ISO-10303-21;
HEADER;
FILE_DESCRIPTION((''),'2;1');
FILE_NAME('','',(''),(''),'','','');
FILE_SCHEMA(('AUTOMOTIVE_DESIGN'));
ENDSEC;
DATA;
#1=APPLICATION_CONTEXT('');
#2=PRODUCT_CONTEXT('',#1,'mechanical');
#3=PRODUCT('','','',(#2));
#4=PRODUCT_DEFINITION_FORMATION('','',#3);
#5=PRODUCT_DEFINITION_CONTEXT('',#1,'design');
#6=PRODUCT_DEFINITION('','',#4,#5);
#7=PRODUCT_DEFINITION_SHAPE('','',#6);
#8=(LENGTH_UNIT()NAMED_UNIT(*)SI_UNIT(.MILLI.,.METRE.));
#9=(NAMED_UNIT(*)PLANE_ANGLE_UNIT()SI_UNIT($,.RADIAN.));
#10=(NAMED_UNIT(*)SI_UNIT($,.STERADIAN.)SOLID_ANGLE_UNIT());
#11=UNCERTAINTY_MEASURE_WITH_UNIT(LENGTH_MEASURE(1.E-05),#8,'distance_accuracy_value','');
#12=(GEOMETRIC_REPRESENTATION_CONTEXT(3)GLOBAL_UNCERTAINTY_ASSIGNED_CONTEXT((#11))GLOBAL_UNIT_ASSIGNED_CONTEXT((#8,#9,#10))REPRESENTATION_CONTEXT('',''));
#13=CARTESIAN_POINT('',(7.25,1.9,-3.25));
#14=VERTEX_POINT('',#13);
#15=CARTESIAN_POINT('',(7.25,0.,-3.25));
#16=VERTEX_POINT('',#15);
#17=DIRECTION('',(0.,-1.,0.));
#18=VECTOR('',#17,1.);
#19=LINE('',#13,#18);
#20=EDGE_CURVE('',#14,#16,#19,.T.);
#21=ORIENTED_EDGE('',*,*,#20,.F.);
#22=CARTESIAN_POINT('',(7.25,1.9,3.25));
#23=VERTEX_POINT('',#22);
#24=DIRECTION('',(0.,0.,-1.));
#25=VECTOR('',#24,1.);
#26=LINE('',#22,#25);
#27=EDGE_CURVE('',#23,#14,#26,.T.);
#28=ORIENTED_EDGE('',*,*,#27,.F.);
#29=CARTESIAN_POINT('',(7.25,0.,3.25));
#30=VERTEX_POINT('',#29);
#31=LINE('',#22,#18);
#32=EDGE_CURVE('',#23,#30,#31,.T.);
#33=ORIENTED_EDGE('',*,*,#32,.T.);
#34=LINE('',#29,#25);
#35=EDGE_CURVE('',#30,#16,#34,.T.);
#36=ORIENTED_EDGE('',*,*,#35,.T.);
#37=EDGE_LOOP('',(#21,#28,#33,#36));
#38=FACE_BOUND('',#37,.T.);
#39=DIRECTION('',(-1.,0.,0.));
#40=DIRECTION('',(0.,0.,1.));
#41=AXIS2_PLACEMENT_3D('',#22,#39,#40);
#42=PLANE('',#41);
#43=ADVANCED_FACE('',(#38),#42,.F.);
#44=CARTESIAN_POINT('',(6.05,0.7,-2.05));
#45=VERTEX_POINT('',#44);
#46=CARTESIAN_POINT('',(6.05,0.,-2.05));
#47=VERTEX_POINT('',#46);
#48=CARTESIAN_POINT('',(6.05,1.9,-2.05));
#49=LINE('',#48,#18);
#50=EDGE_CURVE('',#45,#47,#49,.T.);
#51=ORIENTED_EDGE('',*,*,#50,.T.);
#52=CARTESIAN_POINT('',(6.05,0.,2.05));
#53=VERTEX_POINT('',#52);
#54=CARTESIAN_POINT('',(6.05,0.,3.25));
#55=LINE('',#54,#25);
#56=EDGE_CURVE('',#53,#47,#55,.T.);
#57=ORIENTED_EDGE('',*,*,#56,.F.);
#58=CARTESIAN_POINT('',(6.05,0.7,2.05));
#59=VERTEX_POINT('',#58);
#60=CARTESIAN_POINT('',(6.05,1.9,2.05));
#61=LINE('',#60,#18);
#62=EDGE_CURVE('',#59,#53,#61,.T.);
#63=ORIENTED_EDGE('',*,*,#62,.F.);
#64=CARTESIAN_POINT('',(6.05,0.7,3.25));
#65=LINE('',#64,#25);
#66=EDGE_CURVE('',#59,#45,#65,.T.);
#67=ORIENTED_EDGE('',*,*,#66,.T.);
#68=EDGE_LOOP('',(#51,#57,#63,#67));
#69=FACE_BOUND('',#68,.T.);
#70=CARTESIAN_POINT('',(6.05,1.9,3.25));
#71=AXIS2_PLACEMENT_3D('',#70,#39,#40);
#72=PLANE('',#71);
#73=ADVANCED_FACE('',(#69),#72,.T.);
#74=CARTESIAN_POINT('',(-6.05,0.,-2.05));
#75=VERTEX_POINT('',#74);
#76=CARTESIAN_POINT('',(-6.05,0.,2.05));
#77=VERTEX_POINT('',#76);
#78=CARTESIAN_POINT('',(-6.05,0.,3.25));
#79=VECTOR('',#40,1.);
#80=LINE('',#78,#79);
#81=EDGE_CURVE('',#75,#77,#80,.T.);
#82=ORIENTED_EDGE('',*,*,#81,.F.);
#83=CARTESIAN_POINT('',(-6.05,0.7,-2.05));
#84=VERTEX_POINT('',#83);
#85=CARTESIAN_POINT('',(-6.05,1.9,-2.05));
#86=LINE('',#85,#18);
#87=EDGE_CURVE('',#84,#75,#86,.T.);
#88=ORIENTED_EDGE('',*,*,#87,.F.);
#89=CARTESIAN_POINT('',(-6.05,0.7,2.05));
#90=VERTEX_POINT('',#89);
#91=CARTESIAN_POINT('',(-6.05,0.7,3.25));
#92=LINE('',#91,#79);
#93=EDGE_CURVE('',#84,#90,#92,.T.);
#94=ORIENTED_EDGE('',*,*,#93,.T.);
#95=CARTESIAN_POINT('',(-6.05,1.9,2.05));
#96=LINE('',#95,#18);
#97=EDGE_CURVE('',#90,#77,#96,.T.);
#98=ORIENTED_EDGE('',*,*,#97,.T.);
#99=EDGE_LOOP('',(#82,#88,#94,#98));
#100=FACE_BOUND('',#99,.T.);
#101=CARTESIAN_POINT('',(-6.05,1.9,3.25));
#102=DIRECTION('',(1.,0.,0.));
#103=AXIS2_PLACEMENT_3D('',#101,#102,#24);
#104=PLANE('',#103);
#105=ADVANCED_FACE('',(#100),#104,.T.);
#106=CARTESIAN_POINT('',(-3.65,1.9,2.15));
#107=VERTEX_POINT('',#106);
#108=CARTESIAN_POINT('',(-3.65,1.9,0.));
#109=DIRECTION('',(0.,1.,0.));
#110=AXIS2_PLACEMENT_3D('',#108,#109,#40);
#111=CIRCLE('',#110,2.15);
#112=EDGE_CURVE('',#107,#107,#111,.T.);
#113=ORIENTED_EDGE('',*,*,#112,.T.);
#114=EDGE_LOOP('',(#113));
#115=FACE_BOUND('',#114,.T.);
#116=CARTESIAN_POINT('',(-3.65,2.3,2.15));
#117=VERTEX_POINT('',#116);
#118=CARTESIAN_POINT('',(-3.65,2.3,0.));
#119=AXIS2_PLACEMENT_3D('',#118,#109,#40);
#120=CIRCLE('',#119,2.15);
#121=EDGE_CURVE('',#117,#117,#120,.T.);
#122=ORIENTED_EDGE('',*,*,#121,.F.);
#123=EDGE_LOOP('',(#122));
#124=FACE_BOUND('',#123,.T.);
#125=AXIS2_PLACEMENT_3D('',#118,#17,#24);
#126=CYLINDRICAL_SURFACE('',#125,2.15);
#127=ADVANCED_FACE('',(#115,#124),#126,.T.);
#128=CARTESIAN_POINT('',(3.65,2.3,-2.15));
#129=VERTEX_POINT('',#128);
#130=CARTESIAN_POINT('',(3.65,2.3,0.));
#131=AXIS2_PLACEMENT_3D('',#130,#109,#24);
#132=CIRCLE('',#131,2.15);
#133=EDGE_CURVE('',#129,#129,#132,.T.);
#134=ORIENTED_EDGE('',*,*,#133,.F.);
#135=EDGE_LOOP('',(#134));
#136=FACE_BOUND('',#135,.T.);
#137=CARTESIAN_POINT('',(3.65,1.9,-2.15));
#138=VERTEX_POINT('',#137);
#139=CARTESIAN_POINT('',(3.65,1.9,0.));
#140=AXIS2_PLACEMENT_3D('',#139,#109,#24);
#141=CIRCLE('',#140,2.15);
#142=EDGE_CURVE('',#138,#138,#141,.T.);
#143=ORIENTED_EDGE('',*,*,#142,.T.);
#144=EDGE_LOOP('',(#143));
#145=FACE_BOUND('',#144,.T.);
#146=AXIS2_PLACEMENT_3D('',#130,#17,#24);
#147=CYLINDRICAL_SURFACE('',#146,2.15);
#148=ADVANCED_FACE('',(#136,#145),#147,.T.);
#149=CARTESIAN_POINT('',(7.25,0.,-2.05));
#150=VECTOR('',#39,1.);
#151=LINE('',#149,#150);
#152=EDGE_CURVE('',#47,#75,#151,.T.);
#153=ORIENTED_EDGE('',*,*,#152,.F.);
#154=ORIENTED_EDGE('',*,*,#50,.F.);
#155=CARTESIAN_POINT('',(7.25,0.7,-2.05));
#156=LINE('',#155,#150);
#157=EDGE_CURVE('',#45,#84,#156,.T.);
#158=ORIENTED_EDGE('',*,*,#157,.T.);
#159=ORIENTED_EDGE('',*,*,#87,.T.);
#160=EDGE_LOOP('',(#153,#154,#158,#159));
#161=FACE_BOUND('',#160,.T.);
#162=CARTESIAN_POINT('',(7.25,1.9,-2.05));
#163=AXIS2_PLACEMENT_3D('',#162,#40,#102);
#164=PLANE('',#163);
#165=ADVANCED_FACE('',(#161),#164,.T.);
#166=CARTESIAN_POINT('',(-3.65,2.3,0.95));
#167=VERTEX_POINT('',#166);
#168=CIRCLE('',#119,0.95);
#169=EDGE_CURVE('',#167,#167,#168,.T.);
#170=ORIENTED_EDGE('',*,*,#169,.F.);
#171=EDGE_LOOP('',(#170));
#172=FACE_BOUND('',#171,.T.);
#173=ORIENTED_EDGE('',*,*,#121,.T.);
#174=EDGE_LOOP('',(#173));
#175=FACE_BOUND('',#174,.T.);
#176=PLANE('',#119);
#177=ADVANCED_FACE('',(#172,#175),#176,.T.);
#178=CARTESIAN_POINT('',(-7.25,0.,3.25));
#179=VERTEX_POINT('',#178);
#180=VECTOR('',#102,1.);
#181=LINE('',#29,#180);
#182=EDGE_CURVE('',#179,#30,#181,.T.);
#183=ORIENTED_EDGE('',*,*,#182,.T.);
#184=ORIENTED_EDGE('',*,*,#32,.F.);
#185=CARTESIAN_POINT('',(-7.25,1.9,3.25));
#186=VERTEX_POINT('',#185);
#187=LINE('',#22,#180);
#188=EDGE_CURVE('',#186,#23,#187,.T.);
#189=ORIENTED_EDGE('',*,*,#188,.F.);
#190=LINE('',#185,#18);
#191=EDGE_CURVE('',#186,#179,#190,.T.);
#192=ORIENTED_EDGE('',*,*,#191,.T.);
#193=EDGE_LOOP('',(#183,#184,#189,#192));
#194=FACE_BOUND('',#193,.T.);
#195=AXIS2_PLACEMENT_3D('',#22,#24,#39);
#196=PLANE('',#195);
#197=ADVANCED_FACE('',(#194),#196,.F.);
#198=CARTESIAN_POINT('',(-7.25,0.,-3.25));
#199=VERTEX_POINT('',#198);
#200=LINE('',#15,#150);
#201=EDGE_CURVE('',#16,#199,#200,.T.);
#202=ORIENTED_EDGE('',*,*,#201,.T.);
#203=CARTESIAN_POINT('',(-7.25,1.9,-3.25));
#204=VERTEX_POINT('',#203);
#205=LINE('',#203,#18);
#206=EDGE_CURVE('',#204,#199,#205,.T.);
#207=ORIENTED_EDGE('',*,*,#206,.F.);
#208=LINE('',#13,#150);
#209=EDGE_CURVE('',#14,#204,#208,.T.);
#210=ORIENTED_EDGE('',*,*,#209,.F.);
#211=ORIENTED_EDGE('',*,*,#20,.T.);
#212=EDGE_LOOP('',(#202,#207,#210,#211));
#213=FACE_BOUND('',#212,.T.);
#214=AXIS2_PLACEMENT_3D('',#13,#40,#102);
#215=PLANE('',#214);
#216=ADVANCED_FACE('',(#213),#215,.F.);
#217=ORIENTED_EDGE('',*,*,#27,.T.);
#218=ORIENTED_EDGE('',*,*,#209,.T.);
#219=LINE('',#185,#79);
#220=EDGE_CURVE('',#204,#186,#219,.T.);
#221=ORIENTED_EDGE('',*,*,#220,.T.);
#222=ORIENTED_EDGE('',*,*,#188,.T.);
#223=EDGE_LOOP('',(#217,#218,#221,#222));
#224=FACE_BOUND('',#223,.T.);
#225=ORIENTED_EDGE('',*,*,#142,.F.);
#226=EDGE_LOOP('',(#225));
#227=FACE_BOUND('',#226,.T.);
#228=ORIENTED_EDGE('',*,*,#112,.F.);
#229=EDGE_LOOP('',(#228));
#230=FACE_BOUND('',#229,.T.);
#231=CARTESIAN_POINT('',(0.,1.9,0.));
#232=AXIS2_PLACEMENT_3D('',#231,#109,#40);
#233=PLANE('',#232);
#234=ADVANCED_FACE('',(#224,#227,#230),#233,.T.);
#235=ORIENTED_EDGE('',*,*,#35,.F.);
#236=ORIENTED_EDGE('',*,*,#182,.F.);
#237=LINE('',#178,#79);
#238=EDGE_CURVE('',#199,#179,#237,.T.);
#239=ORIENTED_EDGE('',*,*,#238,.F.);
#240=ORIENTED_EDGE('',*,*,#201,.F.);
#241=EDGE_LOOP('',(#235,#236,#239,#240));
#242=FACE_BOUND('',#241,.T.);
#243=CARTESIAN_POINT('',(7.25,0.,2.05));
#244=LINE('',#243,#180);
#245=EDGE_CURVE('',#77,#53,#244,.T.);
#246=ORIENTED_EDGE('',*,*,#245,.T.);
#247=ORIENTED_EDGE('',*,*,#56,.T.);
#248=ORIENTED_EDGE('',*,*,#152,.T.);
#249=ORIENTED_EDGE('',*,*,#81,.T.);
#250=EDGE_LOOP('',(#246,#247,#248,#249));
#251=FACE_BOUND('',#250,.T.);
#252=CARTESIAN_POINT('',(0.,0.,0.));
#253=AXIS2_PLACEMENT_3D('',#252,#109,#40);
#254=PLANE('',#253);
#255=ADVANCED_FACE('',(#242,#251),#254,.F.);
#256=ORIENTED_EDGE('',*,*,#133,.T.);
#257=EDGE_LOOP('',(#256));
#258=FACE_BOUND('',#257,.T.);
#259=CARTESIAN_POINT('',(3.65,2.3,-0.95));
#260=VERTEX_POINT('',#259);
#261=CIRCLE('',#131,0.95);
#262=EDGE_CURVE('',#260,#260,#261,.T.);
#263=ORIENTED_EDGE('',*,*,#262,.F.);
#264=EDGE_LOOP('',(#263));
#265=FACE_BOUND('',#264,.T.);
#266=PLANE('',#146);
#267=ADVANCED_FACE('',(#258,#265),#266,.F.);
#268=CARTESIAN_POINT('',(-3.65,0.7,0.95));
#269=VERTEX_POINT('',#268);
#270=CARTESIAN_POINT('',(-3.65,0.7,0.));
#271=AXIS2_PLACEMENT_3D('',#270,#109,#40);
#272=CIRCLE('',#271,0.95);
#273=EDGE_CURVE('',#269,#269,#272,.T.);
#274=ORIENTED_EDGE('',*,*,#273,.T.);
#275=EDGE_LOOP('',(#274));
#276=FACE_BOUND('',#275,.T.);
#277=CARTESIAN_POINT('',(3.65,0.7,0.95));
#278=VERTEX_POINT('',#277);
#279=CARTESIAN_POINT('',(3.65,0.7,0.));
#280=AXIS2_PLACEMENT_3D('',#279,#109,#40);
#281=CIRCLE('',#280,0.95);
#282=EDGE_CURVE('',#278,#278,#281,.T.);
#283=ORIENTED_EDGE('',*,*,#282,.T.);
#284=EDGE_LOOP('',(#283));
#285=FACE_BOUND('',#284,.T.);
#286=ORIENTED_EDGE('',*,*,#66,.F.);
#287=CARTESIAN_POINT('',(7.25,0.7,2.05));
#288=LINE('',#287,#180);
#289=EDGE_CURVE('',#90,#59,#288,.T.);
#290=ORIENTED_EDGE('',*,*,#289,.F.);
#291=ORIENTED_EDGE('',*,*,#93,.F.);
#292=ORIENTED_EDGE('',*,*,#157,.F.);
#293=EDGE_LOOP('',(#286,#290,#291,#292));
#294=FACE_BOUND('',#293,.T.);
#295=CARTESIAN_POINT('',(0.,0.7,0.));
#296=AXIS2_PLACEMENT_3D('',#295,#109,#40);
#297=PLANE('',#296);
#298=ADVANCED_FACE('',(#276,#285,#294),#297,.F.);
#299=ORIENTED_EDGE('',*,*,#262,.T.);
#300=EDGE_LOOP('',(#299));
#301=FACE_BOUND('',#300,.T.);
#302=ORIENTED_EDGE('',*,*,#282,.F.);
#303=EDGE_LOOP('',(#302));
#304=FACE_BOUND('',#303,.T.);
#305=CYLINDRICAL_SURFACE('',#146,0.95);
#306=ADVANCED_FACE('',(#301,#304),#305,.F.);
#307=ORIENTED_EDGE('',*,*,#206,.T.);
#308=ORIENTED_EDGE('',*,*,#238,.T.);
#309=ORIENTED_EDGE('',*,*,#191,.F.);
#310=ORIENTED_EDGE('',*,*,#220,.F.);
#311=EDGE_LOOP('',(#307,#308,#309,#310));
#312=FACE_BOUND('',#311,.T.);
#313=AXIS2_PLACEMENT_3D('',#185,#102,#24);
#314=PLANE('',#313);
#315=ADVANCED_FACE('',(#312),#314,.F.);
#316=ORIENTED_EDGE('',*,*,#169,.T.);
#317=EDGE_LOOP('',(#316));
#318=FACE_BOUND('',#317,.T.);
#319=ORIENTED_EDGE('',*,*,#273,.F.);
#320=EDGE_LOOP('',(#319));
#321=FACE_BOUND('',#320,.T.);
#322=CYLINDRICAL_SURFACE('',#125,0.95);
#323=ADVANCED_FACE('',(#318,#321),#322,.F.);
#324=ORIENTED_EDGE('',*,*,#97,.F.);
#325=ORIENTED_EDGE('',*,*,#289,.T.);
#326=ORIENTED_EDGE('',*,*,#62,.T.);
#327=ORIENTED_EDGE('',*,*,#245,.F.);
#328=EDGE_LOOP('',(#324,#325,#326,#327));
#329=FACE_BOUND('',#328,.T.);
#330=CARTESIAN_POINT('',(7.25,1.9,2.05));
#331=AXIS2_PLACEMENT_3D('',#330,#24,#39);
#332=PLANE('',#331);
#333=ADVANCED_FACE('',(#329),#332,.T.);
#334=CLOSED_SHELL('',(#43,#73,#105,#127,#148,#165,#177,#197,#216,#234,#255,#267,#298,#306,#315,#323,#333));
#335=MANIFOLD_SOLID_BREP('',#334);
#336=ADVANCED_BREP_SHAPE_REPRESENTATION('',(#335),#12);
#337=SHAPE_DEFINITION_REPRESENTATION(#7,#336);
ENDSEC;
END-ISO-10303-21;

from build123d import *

# Parameters (mm, degrees)
SKETCH1_W           = 14.5
SKETCH1_H           = 6.5
BOSS_EXTRUDE1_DEPTH = 1.9
SHELL1_T            = -1.2
SKETCH2_R           = 2.15
SKETCH2_R_2         = 0.95
BOSS_EXTRUDE2_DEPTH = 0.4
CUT_EXTRUDE1_START  = -3.4
SKETCH3_R           = 0.95
CUT_EXTRUDE1_DEPTH  = 3.4
CUT_EXTRUDE2_START  = -3.4
SKETCH4_R           = 0.95
CUT_EXTRUDE2_DEPTH  = 3.4


with BuildPart() as part:
    # Sketch1 → Boss-Extrude1 (new body)
    with BuildSketch(Plane(origin=(0, 0, 0), x_dir=(1, 0, 0), z_dir=(0, 1, 0))):
        Rectangle(SKETCH1_W, SKETCH1_H)
    extrude(amount=BOSS_EXTRUDE1_DEPTH)

    # Shell1
    shell1_openings = [part.faces().sort_by_distance(p)[0] for p in [
        (0, 0, 0),
    ]]
    offset(amount=SHELL1_T, openings=shell1_openings, kind=Kind.INTERSECTION)

    # Sketch2 → Boss-Extrude2 (add)
    # profile 1 of 2: a face of its own
    with BuildSketch(Plane(origin=(0, 1.9, 0), x_dir=(1, 0, 0), z_dir=(0, 1, 0))):
        with Locations(Location((-3.65, 0, 0), (0, 0, 270))):
            Circle(SKETCH2_R)
        with Locations(Location((-3.65, 0, 0), (0, 0, 270))):
            Circle(SKETCH2_R_2, mode=Mode.SUBTRACT)
    # profile 2 of 2: a face of its own
    with BuildSketch(Plane(origin=(0, 1.9, 0), x_dir=(1, 0, 0), z_dir=(0, 1, 0))):
        with Locations(Location((3.65, 0, 0), (0, 0, 90))):
            Circle(SKETCH2_R)
        with Locations(Location((3.65, 0, 0), (0, 0, 90))):
            Circle(SKETCH2_R_2, mode=Mode.SUBTRACT)
    extrude(amount=BOSS_EXTRUDE2_DEPTH)

    # Sketch3 → Cut-Extrude1 (cut)
    with BuildSketch(Plane(origin=(0, 1.9, 0), x_dir=(1, 0, 0), z_dir=(0, 1, 0)).offset(CUT_EXTRUDE1_START)):
        with Locations(Location((-3.65, 0, 0), (0, 0, 270))):
            Circle(SKETCH3_R)
    extrude(amount=CUT_EXTRUDE1_DEPTH, mode=Mode.SUBTRACT)

    # Sketch4 → Cut-Extrude2 (cut)
    with BuildSketch(Plane(origin=(0, 1.9, 0), x_dir=(1, 0, 0), z_dir=(0, 1, 0)).offset(CUT_EXTRUDE2_START)):
        with Locations(Location((3.65, 0, 0), (0, 0, 90))):
            Circle(SKETCH4_R)
    extrude(amount=CUT_EXTRUDE2_DEPTH, mode=Mode.SUBTRACT)


solid = part.part
